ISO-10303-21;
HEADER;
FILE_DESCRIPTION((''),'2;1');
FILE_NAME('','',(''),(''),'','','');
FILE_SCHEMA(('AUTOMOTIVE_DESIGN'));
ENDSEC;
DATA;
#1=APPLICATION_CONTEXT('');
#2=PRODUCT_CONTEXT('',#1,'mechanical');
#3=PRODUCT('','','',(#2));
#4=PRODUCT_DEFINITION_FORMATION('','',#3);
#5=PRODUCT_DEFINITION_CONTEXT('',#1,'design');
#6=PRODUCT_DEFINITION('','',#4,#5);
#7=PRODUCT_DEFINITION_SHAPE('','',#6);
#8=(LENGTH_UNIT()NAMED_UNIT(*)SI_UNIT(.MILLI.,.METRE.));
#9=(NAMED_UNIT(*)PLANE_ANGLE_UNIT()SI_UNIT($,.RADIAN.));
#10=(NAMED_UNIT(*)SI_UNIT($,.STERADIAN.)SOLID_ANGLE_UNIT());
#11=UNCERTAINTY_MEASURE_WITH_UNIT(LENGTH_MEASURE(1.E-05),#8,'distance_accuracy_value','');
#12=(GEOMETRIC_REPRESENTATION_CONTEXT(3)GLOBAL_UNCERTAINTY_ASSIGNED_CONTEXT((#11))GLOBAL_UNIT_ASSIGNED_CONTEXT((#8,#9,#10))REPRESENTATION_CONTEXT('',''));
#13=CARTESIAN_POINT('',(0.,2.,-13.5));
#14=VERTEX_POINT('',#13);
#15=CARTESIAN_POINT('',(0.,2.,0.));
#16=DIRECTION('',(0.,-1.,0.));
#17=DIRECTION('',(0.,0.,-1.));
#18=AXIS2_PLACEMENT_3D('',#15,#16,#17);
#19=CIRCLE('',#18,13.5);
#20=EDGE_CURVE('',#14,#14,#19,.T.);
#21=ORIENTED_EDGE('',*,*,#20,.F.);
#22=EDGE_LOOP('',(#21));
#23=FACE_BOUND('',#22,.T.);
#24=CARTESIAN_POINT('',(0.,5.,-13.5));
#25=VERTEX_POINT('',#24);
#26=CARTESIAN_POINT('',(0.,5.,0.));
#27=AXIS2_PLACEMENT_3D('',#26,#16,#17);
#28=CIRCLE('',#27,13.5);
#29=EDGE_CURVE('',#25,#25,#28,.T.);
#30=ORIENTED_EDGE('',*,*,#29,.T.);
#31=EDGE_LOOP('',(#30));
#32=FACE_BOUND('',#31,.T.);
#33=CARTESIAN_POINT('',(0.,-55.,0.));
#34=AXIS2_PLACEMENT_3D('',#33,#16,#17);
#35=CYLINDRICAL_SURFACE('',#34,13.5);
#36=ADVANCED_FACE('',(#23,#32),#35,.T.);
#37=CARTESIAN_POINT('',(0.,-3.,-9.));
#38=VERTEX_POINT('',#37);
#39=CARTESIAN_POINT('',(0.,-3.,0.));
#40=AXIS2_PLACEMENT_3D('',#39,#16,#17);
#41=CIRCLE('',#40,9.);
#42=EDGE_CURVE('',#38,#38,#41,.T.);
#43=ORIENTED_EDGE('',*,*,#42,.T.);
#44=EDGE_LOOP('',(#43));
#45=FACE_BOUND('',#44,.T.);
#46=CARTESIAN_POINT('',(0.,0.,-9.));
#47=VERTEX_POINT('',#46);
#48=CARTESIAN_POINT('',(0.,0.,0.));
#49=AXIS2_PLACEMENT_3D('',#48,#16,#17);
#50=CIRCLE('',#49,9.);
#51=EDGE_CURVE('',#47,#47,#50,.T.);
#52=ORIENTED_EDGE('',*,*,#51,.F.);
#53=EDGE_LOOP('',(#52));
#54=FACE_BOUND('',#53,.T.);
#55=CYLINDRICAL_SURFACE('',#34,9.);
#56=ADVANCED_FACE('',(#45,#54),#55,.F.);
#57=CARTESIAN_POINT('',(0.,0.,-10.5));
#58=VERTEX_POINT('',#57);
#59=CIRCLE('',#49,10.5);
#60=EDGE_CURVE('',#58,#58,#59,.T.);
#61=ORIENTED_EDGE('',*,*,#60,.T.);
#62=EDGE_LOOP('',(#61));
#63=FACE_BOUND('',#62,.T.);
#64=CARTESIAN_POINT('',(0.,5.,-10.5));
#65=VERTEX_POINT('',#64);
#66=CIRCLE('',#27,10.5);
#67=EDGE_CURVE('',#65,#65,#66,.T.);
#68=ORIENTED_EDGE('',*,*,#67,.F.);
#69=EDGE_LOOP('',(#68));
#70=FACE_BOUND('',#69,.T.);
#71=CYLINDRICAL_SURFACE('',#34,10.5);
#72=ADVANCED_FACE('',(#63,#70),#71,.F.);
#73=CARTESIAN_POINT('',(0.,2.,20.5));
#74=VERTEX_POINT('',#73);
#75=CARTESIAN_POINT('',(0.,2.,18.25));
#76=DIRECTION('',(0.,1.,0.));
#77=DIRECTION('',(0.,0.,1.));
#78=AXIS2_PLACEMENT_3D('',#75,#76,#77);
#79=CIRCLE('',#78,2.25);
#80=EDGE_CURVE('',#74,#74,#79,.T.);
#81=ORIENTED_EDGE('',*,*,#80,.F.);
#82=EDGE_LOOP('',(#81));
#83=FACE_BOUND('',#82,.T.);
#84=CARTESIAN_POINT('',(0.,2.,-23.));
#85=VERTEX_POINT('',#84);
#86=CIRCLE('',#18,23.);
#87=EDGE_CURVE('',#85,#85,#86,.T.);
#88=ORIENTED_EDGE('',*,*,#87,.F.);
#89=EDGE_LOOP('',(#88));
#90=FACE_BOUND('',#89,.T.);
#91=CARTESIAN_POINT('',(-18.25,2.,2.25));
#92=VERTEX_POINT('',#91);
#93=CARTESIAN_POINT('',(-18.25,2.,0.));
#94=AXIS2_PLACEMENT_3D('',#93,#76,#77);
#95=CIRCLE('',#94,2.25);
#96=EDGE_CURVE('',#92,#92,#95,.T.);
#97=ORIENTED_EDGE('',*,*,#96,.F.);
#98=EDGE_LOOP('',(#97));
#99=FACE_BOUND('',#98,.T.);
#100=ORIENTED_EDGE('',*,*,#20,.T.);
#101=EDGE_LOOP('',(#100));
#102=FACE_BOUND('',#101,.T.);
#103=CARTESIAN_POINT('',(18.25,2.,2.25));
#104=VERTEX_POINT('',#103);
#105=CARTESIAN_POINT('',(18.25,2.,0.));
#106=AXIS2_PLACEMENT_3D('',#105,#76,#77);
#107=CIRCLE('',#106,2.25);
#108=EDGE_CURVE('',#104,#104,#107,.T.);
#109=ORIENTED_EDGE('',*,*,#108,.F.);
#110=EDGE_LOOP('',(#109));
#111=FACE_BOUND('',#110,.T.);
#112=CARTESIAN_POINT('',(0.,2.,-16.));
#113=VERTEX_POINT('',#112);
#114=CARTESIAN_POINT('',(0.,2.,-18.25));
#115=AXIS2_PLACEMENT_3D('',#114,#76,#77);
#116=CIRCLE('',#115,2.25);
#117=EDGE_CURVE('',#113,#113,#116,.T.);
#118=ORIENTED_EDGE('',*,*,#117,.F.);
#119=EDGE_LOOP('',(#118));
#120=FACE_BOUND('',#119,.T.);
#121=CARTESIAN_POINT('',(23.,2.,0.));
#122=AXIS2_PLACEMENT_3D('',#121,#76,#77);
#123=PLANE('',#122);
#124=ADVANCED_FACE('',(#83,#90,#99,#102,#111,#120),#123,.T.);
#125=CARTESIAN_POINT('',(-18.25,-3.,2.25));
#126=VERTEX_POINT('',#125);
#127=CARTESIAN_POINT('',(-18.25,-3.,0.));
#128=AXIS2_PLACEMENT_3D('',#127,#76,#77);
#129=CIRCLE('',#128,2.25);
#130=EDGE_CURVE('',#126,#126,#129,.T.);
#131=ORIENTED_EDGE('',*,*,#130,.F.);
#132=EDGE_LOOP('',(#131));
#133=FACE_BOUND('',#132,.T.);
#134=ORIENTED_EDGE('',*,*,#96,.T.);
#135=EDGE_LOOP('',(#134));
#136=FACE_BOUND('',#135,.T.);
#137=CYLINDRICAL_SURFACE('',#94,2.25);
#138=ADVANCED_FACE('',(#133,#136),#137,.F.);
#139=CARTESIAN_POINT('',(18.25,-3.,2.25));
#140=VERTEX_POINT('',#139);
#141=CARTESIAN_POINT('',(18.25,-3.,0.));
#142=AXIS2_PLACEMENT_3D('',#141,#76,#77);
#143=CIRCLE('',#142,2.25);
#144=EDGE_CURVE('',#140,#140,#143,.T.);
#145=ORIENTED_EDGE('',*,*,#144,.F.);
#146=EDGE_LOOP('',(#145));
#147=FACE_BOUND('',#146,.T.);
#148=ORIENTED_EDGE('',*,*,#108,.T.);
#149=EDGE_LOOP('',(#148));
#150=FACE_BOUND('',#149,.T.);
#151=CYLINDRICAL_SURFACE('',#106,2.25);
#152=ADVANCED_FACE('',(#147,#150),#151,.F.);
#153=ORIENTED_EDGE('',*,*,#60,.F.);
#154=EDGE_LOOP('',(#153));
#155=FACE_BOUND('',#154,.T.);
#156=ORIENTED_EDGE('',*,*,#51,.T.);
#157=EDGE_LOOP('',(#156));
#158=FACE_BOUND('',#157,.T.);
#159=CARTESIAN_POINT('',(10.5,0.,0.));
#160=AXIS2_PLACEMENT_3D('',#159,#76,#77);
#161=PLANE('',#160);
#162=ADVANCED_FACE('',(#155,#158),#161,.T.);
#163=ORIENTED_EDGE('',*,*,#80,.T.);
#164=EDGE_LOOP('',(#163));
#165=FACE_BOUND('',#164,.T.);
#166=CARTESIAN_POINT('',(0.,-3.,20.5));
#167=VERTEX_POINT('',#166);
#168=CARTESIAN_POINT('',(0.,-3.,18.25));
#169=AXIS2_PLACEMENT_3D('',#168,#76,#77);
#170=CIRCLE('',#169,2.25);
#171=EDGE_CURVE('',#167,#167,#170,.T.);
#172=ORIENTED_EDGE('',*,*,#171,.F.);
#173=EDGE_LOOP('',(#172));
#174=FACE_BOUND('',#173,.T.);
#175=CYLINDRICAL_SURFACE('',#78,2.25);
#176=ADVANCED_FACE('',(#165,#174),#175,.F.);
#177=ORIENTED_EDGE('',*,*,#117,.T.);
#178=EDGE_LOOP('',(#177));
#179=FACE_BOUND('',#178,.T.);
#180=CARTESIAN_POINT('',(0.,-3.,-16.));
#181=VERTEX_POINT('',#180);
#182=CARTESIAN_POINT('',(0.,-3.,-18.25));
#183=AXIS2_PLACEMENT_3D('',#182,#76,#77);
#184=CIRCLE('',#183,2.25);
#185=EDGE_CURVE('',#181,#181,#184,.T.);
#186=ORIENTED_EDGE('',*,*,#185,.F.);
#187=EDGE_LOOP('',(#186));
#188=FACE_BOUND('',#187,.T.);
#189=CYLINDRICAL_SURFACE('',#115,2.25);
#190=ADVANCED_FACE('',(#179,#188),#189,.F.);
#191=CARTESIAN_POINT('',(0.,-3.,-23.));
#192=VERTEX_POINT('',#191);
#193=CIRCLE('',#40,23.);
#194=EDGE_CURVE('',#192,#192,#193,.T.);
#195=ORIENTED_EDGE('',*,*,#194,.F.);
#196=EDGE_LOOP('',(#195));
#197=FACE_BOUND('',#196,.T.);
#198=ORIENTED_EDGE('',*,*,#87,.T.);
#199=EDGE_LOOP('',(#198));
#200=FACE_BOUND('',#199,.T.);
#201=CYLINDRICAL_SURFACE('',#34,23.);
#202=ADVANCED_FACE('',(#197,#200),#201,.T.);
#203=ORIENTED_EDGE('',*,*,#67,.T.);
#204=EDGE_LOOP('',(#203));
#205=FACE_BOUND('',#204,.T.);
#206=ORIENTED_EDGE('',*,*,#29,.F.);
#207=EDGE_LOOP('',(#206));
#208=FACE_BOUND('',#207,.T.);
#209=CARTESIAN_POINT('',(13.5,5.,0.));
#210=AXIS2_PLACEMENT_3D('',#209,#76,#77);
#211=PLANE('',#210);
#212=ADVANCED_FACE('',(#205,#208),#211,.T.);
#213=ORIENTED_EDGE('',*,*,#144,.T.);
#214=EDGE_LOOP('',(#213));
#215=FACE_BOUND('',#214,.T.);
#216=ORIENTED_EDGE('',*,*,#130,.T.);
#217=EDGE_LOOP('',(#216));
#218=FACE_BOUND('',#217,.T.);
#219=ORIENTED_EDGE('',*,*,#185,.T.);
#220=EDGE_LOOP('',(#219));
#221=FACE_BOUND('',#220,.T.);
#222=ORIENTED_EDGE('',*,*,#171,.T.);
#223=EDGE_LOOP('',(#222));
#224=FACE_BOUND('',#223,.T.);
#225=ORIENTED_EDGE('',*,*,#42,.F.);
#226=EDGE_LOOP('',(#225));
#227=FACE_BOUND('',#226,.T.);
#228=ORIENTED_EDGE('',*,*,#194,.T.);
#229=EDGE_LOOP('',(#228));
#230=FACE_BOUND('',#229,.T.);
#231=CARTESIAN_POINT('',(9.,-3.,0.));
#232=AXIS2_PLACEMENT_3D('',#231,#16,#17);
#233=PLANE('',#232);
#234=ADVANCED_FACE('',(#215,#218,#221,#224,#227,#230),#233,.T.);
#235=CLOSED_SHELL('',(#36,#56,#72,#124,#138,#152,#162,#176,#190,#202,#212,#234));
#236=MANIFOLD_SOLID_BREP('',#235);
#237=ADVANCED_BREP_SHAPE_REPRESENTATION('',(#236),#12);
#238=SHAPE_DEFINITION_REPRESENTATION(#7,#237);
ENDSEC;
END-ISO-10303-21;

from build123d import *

# Parameters (mm, degrees)
M4_CLEARANCE_HOLE1_D = 4.5
CIRPATTERN1_COUNT    = 4


with BuildPart() as part:
    # Sketch1 → Revolve1 (revolve)
    with BuildSketch(Plane.XY, mode=Mode.PRIVATE) as revolve1_sk:
        Polygon((9, 0), (9, -3), (23, -3), (23, 2), (13.5, 2), (13.5, 5), (10.5, 5), (10.5, 0), align=None)
    revolve(revolve1_sk.sketch.rotate(Axis((0, -55, 0), (0, 1, 0)), 90), axis=Axis((0, -55, 0), (0, 1, 0)))

    # M4 Clearance Hole1 (through all)
    with Locations(Plane(origin=(0, 2, 0), x_dir=(1, 0, 0), z_dir=(0, 1, 0))):
        with Locations((18.25, 0)):
            m4_clearance_hole1 = Hole(M4_CLEARANCE_HOLE1_D / 2)

    # CirPattern1: M4 Clearance Hole1 ×4 about axis
    cirpattern1_axis = Axis((0, 0, 0), (0, 1, 0))
    for i in range(1, CIRPATTERN1_COUNT):
        add(m4_clearance_hole1.rotate(cirpattern1_axis, i * 360 / CIRPATTERN1_COUNT), mode=Mode.SUBTRACT)


solid = part.part
